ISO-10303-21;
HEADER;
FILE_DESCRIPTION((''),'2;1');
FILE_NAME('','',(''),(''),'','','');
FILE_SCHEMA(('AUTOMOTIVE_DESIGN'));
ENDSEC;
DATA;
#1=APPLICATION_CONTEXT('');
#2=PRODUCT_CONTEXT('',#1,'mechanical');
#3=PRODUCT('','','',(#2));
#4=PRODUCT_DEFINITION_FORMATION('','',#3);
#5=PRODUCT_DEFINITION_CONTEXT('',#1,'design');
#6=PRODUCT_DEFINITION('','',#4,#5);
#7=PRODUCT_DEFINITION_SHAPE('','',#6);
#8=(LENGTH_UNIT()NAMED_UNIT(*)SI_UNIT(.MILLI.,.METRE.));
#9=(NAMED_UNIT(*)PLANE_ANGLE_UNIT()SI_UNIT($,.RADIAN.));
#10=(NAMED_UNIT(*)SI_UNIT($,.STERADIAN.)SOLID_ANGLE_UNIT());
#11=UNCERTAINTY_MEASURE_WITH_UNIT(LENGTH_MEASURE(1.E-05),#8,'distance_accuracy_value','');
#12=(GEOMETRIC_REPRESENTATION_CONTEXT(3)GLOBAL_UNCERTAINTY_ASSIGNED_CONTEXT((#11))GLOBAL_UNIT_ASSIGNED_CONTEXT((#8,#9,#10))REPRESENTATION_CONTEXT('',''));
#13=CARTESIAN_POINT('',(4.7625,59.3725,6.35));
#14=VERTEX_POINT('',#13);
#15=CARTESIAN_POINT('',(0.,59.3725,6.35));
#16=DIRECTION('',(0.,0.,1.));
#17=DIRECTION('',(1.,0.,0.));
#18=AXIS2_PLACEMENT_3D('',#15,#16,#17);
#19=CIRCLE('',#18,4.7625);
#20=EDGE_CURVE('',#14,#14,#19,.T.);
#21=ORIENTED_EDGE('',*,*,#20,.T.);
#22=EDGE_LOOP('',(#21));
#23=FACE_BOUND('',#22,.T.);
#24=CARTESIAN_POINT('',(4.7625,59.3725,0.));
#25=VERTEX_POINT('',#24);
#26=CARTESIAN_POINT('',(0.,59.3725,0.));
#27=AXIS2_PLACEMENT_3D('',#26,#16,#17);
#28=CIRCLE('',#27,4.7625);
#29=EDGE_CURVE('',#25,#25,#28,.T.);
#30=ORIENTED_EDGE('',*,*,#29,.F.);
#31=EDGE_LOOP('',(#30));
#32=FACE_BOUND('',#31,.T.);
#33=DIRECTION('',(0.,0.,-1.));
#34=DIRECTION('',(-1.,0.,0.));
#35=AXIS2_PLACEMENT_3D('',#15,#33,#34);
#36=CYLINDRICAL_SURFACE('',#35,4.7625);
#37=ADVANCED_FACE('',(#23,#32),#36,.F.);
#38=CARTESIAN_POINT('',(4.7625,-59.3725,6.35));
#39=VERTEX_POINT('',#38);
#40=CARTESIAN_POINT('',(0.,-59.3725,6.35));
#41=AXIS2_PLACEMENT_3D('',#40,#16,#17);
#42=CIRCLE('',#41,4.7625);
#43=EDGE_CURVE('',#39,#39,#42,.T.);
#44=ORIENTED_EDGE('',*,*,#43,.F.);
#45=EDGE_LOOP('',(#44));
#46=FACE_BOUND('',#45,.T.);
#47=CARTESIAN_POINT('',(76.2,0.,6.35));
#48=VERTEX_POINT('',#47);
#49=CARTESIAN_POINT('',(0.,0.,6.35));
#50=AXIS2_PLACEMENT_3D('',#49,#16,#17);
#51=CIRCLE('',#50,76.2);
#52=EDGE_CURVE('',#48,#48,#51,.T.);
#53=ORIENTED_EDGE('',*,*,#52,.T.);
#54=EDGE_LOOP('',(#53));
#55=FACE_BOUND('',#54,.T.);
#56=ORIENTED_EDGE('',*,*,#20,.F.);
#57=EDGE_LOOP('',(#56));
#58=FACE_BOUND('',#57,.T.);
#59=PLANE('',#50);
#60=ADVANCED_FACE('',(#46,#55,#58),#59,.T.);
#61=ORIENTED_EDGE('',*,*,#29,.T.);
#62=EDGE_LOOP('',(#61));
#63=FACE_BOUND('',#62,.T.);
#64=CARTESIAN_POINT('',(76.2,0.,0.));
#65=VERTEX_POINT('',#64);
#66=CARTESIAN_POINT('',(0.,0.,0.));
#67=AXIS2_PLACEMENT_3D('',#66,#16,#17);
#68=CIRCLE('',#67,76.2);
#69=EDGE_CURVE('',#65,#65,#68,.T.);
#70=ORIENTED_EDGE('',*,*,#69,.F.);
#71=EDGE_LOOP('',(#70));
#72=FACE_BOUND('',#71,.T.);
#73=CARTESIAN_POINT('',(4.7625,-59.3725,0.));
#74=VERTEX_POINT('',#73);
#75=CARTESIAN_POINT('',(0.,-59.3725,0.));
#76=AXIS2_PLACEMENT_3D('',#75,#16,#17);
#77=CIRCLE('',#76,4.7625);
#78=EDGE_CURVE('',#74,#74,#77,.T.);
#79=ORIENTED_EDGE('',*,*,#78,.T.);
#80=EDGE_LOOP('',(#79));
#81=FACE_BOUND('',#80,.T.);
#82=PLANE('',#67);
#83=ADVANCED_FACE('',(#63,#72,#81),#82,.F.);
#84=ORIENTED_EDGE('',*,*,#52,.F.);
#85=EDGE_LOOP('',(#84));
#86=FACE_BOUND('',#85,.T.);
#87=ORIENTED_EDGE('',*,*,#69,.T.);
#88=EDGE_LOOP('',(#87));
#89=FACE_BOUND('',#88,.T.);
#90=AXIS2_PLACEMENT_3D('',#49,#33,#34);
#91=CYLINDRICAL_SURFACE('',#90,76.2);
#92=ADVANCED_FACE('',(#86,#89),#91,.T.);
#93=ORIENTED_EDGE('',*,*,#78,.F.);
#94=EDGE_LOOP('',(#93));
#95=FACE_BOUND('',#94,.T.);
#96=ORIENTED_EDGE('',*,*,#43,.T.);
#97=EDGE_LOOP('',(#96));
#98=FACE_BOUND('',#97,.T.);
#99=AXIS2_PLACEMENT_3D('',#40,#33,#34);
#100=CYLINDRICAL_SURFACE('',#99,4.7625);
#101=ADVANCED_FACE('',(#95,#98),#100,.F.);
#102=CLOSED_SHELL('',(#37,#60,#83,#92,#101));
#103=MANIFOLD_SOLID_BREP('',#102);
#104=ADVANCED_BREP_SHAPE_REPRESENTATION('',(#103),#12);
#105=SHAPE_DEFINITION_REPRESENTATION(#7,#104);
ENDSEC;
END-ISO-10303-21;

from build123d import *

# Parameters (mm, degrees)
SKETCH1_R           = 76.2
SKETCH1_R_2         = 4.7625
BOSS_EXTRUDE1_DEPTH = 6.35


with BuildPart() as part:
    # Sketch1 → Boss-Extrude1 (new body)
    with BuildSketch(Plane.XY):
        Circle(SKETCH1_R)
        with Locations((0, 59.3725)):
            Circle(SKETCH1_R_2, mode=Mode.SUBTRACT)
        with Locations((0, -59.3725)):
            Circle(SKETCH1_R_2, mode=Mode.SUBTRACT)
    extrude(amount=BOSS_EXTRUDE1_DEPTH)


solid = part.part
